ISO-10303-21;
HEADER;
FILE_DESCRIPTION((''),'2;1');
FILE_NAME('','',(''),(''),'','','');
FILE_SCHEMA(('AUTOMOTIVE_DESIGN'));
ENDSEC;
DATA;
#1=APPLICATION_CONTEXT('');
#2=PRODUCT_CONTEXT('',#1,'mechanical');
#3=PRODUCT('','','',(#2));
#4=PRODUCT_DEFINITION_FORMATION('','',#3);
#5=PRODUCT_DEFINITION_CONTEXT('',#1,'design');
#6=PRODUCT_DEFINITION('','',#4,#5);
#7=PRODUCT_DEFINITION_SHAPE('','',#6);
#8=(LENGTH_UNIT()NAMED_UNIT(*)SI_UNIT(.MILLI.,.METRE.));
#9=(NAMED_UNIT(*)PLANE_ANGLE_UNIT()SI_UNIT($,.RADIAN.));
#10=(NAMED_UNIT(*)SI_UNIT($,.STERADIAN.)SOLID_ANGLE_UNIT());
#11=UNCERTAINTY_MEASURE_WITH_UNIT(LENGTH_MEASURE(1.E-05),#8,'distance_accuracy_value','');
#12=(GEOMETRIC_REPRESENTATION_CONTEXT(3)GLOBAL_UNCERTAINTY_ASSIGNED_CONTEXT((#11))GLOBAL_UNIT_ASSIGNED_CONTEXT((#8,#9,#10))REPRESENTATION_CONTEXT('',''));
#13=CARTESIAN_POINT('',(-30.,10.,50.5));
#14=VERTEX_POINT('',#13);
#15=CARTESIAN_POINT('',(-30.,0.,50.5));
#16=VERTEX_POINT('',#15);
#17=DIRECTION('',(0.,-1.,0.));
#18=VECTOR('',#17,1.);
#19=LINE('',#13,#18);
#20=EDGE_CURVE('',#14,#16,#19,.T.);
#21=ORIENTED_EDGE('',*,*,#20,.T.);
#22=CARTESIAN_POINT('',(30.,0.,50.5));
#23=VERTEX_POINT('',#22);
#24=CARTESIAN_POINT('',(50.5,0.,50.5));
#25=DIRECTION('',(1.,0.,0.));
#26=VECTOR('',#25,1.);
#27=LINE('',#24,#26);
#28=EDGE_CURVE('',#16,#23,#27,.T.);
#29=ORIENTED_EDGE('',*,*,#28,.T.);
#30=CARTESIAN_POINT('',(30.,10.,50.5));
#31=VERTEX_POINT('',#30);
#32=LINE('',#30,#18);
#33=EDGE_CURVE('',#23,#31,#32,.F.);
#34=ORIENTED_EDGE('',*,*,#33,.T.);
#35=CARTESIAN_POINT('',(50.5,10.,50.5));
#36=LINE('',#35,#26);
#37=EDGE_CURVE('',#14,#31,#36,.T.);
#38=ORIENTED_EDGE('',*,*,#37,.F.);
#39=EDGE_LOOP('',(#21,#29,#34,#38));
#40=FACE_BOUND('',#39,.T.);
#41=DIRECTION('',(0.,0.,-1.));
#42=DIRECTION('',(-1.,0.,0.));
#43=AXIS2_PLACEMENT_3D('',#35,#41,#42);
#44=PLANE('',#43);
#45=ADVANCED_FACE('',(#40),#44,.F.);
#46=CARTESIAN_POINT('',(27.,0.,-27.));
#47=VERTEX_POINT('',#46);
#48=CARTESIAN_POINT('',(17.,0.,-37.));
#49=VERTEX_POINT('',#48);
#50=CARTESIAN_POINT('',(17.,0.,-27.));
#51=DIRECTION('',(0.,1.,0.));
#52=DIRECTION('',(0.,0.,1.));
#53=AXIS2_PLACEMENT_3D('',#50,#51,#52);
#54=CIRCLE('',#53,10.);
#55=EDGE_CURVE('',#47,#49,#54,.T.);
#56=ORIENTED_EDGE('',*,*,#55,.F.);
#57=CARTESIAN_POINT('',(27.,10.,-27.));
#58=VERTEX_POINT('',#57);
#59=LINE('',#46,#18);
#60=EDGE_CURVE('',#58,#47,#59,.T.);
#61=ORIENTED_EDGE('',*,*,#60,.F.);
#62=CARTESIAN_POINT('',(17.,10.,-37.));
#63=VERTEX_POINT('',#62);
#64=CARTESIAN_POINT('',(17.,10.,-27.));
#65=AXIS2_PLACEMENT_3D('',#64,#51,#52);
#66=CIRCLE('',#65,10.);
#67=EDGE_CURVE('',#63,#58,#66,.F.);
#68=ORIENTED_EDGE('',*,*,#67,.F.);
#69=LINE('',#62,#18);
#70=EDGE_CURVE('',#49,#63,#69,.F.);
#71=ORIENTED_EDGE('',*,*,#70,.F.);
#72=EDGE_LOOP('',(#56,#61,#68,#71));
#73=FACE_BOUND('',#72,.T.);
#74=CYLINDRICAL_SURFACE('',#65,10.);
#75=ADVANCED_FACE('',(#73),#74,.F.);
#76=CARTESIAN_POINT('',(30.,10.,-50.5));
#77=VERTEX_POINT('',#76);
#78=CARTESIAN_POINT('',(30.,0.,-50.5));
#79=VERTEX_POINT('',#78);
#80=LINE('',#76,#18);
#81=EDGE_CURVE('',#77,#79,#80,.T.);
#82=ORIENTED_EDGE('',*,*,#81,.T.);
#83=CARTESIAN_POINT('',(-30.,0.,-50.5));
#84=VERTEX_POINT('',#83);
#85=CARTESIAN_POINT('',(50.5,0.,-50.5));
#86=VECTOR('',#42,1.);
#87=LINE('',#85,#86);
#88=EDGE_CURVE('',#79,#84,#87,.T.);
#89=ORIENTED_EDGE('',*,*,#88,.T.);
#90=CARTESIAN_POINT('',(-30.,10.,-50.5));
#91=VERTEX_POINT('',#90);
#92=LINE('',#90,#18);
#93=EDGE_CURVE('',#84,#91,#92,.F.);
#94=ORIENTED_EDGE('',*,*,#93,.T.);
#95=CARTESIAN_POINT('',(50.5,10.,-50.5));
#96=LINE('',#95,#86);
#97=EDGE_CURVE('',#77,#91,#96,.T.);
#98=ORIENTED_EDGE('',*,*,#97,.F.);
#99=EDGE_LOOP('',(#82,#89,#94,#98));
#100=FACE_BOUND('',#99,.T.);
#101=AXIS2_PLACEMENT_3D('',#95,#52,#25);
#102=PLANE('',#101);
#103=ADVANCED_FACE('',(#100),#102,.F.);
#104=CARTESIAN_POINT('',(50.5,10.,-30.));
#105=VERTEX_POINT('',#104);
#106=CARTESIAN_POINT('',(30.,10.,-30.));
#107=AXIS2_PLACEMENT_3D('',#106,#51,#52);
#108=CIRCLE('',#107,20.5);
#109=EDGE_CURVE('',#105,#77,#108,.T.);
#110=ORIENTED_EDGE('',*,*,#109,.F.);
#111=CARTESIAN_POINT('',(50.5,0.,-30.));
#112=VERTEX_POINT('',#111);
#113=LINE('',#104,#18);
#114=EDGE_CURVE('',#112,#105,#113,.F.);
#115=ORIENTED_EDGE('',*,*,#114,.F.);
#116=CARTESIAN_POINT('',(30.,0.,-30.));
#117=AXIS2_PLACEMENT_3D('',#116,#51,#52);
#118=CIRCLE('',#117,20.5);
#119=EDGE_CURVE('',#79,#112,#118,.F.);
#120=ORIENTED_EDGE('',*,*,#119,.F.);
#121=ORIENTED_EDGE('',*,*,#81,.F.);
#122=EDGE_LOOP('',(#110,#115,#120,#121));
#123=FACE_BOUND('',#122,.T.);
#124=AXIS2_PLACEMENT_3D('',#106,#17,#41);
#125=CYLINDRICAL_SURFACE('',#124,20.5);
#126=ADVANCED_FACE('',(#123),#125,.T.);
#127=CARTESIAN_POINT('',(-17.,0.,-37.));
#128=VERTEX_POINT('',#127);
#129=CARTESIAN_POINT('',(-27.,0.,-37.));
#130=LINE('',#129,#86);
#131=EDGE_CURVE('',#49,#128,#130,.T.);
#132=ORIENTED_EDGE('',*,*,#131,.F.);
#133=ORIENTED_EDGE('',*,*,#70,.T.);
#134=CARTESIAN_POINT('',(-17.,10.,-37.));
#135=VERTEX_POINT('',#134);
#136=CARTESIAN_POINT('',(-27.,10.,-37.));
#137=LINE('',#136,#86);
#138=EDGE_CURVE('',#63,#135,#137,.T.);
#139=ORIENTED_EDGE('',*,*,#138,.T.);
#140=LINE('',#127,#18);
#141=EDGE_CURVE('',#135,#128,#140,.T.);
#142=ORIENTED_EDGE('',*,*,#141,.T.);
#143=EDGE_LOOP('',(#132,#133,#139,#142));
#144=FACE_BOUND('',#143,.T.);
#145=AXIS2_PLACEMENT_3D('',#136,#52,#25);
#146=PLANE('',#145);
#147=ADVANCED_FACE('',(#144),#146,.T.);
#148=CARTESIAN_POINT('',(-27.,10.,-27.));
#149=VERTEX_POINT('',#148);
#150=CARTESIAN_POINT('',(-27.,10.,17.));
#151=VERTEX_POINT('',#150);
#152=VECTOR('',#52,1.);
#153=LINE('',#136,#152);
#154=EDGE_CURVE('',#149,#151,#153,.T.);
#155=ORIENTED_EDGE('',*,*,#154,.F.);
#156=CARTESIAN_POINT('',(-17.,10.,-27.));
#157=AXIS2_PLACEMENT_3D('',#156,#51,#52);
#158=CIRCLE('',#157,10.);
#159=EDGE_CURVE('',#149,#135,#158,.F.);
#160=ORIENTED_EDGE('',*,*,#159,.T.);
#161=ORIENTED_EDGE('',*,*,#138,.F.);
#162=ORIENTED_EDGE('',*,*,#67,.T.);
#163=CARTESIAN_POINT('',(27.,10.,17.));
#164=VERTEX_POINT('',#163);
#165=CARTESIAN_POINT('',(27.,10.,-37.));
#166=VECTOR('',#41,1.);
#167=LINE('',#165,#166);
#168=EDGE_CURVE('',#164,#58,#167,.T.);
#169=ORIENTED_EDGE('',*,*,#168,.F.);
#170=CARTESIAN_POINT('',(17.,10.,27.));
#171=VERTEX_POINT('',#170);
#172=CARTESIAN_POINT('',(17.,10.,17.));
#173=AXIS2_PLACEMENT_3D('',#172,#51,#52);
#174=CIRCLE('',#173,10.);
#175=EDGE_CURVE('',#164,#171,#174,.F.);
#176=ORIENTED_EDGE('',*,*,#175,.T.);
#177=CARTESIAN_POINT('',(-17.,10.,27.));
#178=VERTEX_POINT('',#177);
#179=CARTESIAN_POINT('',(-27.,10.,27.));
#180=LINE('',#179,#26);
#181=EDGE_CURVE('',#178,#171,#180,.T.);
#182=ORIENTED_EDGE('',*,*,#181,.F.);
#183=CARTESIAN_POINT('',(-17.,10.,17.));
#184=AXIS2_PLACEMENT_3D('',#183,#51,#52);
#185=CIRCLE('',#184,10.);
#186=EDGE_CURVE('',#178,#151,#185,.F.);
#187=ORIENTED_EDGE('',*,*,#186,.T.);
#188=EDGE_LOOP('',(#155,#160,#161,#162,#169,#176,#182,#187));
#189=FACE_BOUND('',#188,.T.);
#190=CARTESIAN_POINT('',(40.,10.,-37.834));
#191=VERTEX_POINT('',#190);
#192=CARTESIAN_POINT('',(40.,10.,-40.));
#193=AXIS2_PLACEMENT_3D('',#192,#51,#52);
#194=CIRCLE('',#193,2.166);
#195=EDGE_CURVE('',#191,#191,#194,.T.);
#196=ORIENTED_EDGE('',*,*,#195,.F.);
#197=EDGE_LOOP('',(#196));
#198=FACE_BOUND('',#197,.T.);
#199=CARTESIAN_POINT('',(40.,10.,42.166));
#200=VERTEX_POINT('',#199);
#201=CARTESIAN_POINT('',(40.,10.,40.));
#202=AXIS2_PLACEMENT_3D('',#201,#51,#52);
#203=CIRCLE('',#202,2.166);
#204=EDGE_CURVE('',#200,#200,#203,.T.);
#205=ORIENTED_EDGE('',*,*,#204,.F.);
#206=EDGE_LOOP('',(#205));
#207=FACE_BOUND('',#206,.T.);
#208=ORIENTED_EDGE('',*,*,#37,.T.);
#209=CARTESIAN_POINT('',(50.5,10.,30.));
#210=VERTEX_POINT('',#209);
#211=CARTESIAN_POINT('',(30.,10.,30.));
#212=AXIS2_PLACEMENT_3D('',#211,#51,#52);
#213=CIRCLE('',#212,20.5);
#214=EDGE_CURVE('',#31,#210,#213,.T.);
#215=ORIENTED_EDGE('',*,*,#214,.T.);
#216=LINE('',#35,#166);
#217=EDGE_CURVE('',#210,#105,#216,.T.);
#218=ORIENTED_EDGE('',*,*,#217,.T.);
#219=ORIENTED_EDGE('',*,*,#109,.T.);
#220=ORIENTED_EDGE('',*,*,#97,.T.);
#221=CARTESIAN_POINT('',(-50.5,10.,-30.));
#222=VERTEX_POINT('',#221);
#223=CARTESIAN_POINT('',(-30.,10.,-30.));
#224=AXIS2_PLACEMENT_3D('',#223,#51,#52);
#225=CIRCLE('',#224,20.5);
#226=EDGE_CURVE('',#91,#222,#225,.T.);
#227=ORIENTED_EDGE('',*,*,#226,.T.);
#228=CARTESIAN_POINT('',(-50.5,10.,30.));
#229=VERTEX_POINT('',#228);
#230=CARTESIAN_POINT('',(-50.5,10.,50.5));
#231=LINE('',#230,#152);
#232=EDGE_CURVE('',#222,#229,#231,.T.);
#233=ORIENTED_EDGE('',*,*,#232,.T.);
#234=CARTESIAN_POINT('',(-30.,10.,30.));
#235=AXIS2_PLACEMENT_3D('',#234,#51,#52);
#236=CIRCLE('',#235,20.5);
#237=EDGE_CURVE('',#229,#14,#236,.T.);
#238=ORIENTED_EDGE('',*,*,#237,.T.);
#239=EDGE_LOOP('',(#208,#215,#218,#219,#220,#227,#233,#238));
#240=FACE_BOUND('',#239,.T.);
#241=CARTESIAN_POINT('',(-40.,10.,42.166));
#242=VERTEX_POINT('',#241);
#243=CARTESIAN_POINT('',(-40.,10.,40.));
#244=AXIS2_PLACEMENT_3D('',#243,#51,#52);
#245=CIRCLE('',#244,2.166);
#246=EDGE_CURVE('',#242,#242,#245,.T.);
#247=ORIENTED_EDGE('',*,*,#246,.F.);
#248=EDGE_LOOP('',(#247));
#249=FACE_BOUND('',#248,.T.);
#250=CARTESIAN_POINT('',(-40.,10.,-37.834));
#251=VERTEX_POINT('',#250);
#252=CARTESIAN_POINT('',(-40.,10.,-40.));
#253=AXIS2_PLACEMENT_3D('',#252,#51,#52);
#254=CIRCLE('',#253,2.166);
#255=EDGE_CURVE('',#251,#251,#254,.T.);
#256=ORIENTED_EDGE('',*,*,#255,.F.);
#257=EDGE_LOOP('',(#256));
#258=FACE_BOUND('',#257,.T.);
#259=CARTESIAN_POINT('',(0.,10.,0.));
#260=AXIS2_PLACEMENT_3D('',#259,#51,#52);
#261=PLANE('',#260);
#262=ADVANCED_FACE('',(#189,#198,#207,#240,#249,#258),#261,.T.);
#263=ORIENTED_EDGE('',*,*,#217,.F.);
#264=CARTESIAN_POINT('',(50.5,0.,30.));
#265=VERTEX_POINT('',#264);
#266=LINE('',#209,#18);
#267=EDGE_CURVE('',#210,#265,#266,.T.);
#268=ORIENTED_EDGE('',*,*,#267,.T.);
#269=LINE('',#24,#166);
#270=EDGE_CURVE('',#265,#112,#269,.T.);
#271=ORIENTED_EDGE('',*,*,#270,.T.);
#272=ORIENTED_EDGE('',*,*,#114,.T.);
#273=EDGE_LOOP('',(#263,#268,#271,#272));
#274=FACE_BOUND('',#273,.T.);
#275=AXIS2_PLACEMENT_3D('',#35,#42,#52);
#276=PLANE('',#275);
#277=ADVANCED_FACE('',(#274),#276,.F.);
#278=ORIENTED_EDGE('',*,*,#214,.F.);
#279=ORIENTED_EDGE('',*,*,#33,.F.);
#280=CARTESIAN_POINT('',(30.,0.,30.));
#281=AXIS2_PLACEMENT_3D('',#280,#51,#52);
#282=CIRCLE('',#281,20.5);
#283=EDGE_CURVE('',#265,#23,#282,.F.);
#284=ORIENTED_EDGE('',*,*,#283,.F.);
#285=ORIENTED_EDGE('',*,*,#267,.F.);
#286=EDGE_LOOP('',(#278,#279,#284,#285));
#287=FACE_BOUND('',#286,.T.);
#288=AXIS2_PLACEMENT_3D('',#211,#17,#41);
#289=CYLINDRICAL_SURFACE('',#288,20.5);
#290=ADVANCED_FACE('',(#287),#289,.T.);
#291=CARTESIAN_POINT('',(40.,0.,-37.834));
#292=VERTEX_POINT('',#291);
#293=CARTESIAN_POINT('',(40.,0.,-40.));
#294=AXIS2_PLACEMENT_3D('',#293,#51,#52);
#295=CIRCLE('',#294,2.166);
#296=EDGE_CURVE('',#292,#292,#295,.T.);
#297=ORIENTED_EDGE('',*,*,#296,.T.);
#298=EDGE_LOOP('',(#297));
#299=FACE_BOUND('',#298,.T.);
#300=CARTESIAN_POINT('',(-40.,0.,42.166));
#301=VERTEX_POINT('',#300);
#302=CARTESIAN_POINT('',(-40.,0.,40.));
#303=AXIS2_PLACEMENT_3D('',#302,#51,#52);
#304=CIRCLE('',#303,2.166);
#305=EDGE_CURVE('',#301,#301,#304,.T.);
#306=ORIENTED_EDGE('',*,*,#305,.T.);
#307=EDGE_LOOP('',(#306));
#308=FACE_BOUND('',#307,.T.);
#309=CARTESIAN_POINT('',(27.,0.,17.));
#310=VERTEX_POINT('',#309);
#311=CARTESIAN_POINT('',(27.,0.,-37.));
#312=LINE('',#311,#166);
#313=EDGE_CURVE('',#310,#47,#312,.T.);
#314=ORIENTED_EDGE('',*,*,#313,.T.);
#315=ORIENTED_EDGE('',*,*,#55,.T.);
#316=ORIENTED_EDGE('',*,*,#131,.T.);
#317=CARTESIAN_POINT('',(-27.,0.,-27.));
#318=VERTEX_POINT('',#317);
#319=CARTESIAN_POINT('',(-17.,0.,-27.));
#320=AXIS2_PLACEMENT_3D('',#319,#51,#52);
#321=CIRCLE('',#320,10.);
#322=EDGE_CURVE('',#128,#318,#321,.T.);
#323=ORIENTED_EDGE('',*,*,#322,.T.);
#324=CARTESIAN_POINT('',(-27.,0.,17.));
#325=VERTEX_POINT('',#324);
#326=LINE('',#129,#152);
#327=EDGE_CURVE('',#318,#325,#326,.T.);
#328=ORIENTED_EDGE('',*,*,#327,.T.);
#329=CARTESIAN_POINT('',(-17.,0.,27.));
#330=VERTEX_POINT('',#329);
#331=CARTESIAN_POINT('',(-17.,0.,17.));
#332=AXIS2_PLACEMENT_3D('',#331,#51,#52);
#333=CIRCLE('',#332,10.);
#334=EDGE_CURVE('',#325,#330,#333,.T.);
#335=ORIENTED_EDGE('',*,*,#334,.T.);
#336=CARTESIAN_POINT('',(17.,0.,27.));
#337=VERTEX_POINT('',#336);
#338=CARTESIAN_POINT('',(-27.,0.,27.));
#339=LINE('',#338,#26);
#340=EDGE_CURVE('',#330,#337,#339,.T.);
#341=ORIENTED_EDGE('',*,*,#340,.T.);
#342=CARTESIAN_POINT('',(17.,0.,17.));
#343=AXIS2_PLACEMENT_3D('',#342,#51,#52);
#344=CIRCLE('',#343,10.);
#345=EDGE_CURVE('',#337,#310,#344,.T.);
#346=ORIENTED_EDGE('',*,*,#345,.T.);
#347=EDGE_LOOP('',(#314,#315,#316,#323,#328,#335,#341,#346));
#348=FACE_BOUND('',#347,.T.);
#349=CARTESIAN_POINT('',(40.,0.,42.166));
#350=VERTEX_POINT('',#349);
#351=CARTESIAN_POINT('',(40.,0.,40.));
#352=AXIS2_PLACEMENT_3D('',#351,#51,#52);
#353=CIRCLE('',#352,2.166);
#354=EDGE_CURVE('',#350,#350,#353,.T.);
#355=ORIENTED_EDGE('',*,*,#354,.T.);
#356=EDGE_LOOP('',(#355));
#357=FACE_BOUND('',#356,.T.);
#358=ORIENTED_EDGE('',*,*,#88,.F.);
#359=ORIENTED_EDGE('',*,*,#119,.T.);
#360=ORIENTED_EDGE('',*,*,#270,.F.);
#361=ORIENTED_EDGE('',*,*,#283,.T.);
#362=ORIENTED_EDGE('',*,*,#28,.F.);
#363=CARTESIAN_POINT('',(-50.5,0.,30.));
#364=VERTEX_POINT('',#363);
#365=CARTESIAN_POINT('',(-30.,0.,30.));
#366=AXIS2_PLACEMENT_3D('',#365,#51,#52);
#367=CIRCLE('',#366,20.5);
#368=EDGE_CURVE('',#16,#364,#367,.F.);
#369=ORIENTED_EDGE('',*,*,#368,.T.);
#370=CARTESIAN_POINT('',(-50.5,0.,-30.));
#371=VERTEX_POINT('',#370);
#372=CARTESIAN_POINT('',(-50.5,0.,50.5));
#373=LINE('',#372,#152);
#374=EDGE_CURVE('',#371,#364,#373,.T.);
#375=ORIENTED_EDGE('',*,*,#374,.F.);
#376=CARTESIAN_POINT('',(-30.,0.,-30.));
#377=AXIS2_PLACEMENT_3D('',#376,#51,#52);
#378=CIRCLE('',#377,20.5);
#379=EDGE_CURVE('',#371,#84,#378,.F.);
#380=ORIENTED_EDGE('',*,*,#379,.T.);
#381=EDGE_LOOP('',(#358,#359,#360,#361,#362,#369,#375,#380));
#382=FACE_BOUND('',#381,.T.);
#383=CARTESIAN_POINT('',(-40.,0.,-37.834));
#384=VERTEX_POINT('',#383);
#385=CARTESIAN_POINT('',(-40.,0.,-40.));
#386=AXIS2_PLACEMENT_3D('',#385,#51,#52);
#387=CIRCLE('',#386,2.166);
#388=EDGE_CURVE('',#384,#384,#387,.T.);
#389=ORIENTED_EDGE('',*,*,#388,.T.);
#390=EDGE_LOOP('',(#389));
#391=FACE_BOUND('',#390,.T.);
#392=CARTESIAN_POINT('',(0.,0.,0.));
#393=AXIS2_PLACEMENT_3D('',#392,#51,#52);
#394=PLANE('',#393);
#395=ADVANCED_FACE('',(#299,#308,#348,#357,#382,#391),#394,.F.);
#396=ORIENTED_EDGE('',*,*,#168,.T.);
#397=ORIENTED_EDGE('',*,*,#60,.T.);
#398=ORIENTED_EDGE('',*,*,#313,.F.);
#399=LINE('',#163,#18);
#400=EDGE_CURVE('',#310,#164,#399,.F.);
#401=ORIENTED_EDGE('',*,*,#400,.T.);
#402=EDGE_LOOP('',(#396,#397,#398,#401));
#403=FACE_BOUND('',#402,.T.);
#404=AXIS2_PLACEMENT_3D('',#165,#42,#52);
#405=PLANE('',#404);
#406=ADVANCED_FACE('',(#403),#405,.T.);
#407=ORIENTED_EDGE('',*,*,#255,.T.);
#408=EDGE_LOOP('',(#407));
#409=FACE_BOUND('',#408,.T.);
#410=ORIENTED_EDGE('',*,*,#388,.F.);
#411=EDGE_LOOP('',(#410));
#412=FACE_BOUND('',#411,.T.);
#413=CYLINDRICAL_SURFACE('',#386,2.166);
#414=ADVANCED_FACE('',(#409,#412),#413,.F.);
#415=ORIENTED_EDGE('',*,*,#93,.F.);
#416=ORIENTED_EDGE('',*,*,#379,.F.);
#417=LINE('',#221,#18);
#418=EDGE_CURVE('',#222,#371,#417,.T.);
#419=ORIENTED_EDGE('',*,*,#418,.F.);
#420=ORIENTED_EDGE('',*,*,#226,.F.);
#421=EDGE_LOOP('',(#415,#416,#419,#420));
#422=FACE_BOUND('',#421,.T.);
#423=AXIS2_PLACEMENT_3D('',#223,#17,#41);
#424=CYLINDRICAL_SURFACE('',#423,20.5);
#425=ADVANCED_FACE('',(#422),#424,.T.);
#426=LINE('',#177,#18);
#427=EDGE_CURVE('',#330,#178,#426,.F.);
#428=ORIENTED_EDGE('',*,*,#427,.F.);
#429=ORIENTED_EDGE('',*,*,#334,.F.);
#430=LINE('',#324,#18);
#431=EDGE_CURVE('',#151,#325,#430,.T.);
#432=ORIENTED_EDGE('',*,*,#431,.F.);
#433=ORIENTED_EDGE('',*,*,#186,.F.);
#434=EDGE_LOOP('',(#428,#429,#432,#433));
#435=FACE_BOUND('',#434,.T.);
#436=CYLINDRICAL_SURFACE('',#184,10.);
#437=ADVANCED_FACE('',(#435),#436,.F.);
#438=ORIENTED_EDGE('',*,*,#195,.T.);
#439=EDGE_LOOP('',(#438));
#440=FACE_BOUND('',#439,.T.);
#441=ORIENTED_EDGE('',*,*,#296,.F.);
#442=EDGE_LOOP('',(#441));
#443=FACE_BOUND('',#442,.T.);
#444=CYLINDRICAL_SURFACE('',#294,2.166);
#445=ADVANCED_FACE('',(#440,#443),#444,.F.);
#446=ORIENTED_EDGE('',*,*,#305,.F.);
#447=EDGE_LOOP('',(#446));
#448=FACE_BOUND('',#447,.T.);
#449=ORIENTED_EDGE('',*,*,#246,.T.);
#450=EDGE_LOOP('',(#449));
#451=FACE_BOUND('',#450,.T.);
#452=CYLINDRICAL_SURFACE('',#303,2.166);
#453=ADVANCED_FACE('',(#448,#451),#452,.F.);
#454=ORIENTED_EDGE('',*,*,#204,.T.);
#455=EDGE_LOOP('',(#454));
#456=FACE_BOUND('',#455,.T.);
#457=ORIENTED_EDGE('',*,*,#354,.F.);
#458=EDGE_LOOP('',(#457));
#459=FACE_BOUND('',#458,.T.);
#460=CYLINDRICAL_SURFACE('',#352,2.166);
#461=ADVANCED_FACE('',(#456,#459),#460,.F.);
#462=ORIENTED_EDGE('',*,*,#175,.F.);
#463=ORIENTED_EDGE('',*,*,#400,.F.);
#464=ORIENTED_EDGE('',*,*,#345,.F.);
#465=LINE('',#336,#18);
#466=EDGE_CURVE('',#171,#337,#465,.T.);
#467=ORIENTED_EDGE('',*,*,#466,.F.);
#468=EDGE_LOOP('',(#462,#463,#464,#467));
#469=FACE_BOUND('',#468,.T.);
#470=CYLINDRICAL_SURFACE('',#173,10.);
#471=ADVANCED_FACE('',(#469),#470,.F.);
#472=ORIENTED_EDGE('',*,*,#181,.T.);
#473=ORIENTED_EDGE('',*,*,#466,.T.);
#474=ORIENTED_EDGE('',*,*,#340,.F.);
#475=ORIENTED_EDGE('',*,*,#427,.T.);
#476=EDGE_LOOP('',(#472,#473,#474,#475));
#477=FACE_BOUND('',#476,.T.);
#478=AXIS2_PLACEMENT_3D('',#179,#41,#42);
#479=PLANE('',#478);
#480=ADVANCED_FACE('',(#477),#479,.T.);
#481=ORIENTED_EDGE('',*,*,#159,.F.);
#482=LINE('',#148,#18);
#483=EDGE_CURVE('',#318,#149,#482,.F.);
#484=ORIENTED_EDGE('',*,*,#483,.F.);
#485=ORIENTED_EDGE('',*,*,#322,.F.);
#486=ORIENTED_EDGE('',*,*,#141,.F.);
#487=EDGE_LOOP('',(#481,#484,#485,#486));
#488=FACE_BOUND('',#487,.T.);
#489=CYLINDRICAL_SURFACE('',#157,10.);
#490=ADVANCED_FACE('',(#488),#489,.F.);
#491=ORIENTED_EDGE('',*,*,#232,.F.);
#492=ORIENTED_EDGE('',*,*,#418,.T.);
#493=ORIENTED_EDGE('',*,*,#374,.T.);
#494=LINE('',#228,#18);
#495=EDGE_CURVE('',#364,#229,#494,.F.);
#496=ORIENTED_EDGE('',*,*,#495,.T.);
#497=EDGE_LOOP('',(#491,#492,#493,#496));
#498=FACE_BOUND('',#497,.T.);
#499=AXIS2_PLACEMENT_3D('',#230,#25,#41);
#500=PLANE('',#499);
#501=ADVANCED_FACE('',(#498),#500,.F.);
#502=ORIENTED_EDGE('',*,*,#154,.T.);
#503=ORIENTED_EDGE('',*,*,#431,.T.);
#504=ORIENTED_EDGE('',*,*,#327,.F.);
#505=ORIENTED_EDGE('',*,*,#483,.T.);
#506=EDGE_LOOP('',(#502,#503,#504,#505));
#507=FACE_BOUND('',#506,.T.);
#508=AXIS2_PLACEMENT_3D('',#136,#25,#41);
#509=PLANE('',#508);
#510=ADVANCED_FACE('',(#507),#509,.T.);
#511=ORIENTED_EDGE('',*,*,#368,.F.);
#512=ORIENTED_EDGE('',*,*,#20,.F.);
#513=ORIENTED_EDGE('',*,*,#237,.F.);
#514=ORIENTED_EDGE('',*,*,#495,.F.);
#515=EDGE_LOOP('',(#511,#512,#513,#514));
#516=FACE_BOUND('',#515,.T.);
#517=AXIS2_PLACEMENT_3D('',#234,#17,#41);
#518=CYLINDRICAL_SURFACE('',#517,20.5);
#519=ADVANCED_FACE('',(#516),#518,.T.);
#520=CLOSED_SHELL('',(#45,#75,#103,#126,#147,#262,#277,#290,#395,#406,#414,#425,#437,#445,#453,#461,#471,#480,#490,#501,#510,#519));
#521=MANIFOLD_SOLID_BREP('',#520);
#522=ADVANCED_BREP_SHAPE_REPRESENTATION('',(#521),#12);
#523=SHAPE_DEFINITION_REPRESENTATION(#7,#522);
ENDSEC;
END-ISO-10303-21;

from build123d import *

# Parameters (mm, degrees)
SKETCH_1_W          = 101
SKETCH_1_H          = 101
SKETCH_1_W_2        = 54
SKETCH_1_H_2        = 64
EXTRUDE_1_DEPTH     = 10
FILLET_1_R          = 20.5
FILLET_2_R          = 10
SKETCH_2_R          = 2.166
CUT_EXTRUDE_1_DEPTH = 73.114492302


with BuildPart() as part:
    # 草图1 → 凸台-拉伸1 (new body)
    with BuildSketch(Plane(origin=(0, 0, 0), x_dir=(1, 0, 0), z_dir=(0, 1, 0))):
        Rectangle(SKETCH_1_W, SKETCH_1_H)
        with Locations((0, 5)):
            Rectangle(SKETCH_1_W_2, SKETCH_1_H_2, mode=Mode.SUBTRACT)
    extrude(amount=EXTRUDE_1_DEPTH)

    # 圆角1
    fillet_1_edges = [part.edges().sort_by_distance(p)[0] for p in [
        (-50.5, 5, -50.5),
        (50.5, 5, -50.5),
        (50.5, 5, 50.5),
        (-50.5, 5, 50.5),
    ]]
    fillet(fillet_1_edges, radius=FILLET_1_R)

    # 圆角2
    fillet_2_edges = [part.edges().sort_by_distance(p)[0] for p in [
        (-27, 5, -37),
        (-27, 5, 27),
        (27, 5, 27),
        (27, 5, -37),
    ]]
    fillet(fillet_2_edges, radius=FILLET_2_R)

    # 草图2 → 切除-拉伸1 (cut, through all)
    with BuildSketch(Plane(origin=(0, 10, 0), x_dir=(1, 0, 0), z_dir=(0, 1, 0))):
        with Locations(Location((-40, 40, 0), (0, 0, 270))):
            Circle(SKETCH_2_R)
        with Locations(Location((40, 40, 0), (0, 0, 270))):
            Circle(SKETCH_2_R)
        with Locations(Location((-40, -40, 0), (0, 0, 270))):
            Circle(SKETCH_2_R)
        with Locations(Location((40, -40, 0), (0, 0, 270))):
            Circle(SKETCH_2_R)
    extrude(amount=-CUT_EXTRUDE_1_DEPTH, mode=Mode.SUBTRACT)


solid = part.part
